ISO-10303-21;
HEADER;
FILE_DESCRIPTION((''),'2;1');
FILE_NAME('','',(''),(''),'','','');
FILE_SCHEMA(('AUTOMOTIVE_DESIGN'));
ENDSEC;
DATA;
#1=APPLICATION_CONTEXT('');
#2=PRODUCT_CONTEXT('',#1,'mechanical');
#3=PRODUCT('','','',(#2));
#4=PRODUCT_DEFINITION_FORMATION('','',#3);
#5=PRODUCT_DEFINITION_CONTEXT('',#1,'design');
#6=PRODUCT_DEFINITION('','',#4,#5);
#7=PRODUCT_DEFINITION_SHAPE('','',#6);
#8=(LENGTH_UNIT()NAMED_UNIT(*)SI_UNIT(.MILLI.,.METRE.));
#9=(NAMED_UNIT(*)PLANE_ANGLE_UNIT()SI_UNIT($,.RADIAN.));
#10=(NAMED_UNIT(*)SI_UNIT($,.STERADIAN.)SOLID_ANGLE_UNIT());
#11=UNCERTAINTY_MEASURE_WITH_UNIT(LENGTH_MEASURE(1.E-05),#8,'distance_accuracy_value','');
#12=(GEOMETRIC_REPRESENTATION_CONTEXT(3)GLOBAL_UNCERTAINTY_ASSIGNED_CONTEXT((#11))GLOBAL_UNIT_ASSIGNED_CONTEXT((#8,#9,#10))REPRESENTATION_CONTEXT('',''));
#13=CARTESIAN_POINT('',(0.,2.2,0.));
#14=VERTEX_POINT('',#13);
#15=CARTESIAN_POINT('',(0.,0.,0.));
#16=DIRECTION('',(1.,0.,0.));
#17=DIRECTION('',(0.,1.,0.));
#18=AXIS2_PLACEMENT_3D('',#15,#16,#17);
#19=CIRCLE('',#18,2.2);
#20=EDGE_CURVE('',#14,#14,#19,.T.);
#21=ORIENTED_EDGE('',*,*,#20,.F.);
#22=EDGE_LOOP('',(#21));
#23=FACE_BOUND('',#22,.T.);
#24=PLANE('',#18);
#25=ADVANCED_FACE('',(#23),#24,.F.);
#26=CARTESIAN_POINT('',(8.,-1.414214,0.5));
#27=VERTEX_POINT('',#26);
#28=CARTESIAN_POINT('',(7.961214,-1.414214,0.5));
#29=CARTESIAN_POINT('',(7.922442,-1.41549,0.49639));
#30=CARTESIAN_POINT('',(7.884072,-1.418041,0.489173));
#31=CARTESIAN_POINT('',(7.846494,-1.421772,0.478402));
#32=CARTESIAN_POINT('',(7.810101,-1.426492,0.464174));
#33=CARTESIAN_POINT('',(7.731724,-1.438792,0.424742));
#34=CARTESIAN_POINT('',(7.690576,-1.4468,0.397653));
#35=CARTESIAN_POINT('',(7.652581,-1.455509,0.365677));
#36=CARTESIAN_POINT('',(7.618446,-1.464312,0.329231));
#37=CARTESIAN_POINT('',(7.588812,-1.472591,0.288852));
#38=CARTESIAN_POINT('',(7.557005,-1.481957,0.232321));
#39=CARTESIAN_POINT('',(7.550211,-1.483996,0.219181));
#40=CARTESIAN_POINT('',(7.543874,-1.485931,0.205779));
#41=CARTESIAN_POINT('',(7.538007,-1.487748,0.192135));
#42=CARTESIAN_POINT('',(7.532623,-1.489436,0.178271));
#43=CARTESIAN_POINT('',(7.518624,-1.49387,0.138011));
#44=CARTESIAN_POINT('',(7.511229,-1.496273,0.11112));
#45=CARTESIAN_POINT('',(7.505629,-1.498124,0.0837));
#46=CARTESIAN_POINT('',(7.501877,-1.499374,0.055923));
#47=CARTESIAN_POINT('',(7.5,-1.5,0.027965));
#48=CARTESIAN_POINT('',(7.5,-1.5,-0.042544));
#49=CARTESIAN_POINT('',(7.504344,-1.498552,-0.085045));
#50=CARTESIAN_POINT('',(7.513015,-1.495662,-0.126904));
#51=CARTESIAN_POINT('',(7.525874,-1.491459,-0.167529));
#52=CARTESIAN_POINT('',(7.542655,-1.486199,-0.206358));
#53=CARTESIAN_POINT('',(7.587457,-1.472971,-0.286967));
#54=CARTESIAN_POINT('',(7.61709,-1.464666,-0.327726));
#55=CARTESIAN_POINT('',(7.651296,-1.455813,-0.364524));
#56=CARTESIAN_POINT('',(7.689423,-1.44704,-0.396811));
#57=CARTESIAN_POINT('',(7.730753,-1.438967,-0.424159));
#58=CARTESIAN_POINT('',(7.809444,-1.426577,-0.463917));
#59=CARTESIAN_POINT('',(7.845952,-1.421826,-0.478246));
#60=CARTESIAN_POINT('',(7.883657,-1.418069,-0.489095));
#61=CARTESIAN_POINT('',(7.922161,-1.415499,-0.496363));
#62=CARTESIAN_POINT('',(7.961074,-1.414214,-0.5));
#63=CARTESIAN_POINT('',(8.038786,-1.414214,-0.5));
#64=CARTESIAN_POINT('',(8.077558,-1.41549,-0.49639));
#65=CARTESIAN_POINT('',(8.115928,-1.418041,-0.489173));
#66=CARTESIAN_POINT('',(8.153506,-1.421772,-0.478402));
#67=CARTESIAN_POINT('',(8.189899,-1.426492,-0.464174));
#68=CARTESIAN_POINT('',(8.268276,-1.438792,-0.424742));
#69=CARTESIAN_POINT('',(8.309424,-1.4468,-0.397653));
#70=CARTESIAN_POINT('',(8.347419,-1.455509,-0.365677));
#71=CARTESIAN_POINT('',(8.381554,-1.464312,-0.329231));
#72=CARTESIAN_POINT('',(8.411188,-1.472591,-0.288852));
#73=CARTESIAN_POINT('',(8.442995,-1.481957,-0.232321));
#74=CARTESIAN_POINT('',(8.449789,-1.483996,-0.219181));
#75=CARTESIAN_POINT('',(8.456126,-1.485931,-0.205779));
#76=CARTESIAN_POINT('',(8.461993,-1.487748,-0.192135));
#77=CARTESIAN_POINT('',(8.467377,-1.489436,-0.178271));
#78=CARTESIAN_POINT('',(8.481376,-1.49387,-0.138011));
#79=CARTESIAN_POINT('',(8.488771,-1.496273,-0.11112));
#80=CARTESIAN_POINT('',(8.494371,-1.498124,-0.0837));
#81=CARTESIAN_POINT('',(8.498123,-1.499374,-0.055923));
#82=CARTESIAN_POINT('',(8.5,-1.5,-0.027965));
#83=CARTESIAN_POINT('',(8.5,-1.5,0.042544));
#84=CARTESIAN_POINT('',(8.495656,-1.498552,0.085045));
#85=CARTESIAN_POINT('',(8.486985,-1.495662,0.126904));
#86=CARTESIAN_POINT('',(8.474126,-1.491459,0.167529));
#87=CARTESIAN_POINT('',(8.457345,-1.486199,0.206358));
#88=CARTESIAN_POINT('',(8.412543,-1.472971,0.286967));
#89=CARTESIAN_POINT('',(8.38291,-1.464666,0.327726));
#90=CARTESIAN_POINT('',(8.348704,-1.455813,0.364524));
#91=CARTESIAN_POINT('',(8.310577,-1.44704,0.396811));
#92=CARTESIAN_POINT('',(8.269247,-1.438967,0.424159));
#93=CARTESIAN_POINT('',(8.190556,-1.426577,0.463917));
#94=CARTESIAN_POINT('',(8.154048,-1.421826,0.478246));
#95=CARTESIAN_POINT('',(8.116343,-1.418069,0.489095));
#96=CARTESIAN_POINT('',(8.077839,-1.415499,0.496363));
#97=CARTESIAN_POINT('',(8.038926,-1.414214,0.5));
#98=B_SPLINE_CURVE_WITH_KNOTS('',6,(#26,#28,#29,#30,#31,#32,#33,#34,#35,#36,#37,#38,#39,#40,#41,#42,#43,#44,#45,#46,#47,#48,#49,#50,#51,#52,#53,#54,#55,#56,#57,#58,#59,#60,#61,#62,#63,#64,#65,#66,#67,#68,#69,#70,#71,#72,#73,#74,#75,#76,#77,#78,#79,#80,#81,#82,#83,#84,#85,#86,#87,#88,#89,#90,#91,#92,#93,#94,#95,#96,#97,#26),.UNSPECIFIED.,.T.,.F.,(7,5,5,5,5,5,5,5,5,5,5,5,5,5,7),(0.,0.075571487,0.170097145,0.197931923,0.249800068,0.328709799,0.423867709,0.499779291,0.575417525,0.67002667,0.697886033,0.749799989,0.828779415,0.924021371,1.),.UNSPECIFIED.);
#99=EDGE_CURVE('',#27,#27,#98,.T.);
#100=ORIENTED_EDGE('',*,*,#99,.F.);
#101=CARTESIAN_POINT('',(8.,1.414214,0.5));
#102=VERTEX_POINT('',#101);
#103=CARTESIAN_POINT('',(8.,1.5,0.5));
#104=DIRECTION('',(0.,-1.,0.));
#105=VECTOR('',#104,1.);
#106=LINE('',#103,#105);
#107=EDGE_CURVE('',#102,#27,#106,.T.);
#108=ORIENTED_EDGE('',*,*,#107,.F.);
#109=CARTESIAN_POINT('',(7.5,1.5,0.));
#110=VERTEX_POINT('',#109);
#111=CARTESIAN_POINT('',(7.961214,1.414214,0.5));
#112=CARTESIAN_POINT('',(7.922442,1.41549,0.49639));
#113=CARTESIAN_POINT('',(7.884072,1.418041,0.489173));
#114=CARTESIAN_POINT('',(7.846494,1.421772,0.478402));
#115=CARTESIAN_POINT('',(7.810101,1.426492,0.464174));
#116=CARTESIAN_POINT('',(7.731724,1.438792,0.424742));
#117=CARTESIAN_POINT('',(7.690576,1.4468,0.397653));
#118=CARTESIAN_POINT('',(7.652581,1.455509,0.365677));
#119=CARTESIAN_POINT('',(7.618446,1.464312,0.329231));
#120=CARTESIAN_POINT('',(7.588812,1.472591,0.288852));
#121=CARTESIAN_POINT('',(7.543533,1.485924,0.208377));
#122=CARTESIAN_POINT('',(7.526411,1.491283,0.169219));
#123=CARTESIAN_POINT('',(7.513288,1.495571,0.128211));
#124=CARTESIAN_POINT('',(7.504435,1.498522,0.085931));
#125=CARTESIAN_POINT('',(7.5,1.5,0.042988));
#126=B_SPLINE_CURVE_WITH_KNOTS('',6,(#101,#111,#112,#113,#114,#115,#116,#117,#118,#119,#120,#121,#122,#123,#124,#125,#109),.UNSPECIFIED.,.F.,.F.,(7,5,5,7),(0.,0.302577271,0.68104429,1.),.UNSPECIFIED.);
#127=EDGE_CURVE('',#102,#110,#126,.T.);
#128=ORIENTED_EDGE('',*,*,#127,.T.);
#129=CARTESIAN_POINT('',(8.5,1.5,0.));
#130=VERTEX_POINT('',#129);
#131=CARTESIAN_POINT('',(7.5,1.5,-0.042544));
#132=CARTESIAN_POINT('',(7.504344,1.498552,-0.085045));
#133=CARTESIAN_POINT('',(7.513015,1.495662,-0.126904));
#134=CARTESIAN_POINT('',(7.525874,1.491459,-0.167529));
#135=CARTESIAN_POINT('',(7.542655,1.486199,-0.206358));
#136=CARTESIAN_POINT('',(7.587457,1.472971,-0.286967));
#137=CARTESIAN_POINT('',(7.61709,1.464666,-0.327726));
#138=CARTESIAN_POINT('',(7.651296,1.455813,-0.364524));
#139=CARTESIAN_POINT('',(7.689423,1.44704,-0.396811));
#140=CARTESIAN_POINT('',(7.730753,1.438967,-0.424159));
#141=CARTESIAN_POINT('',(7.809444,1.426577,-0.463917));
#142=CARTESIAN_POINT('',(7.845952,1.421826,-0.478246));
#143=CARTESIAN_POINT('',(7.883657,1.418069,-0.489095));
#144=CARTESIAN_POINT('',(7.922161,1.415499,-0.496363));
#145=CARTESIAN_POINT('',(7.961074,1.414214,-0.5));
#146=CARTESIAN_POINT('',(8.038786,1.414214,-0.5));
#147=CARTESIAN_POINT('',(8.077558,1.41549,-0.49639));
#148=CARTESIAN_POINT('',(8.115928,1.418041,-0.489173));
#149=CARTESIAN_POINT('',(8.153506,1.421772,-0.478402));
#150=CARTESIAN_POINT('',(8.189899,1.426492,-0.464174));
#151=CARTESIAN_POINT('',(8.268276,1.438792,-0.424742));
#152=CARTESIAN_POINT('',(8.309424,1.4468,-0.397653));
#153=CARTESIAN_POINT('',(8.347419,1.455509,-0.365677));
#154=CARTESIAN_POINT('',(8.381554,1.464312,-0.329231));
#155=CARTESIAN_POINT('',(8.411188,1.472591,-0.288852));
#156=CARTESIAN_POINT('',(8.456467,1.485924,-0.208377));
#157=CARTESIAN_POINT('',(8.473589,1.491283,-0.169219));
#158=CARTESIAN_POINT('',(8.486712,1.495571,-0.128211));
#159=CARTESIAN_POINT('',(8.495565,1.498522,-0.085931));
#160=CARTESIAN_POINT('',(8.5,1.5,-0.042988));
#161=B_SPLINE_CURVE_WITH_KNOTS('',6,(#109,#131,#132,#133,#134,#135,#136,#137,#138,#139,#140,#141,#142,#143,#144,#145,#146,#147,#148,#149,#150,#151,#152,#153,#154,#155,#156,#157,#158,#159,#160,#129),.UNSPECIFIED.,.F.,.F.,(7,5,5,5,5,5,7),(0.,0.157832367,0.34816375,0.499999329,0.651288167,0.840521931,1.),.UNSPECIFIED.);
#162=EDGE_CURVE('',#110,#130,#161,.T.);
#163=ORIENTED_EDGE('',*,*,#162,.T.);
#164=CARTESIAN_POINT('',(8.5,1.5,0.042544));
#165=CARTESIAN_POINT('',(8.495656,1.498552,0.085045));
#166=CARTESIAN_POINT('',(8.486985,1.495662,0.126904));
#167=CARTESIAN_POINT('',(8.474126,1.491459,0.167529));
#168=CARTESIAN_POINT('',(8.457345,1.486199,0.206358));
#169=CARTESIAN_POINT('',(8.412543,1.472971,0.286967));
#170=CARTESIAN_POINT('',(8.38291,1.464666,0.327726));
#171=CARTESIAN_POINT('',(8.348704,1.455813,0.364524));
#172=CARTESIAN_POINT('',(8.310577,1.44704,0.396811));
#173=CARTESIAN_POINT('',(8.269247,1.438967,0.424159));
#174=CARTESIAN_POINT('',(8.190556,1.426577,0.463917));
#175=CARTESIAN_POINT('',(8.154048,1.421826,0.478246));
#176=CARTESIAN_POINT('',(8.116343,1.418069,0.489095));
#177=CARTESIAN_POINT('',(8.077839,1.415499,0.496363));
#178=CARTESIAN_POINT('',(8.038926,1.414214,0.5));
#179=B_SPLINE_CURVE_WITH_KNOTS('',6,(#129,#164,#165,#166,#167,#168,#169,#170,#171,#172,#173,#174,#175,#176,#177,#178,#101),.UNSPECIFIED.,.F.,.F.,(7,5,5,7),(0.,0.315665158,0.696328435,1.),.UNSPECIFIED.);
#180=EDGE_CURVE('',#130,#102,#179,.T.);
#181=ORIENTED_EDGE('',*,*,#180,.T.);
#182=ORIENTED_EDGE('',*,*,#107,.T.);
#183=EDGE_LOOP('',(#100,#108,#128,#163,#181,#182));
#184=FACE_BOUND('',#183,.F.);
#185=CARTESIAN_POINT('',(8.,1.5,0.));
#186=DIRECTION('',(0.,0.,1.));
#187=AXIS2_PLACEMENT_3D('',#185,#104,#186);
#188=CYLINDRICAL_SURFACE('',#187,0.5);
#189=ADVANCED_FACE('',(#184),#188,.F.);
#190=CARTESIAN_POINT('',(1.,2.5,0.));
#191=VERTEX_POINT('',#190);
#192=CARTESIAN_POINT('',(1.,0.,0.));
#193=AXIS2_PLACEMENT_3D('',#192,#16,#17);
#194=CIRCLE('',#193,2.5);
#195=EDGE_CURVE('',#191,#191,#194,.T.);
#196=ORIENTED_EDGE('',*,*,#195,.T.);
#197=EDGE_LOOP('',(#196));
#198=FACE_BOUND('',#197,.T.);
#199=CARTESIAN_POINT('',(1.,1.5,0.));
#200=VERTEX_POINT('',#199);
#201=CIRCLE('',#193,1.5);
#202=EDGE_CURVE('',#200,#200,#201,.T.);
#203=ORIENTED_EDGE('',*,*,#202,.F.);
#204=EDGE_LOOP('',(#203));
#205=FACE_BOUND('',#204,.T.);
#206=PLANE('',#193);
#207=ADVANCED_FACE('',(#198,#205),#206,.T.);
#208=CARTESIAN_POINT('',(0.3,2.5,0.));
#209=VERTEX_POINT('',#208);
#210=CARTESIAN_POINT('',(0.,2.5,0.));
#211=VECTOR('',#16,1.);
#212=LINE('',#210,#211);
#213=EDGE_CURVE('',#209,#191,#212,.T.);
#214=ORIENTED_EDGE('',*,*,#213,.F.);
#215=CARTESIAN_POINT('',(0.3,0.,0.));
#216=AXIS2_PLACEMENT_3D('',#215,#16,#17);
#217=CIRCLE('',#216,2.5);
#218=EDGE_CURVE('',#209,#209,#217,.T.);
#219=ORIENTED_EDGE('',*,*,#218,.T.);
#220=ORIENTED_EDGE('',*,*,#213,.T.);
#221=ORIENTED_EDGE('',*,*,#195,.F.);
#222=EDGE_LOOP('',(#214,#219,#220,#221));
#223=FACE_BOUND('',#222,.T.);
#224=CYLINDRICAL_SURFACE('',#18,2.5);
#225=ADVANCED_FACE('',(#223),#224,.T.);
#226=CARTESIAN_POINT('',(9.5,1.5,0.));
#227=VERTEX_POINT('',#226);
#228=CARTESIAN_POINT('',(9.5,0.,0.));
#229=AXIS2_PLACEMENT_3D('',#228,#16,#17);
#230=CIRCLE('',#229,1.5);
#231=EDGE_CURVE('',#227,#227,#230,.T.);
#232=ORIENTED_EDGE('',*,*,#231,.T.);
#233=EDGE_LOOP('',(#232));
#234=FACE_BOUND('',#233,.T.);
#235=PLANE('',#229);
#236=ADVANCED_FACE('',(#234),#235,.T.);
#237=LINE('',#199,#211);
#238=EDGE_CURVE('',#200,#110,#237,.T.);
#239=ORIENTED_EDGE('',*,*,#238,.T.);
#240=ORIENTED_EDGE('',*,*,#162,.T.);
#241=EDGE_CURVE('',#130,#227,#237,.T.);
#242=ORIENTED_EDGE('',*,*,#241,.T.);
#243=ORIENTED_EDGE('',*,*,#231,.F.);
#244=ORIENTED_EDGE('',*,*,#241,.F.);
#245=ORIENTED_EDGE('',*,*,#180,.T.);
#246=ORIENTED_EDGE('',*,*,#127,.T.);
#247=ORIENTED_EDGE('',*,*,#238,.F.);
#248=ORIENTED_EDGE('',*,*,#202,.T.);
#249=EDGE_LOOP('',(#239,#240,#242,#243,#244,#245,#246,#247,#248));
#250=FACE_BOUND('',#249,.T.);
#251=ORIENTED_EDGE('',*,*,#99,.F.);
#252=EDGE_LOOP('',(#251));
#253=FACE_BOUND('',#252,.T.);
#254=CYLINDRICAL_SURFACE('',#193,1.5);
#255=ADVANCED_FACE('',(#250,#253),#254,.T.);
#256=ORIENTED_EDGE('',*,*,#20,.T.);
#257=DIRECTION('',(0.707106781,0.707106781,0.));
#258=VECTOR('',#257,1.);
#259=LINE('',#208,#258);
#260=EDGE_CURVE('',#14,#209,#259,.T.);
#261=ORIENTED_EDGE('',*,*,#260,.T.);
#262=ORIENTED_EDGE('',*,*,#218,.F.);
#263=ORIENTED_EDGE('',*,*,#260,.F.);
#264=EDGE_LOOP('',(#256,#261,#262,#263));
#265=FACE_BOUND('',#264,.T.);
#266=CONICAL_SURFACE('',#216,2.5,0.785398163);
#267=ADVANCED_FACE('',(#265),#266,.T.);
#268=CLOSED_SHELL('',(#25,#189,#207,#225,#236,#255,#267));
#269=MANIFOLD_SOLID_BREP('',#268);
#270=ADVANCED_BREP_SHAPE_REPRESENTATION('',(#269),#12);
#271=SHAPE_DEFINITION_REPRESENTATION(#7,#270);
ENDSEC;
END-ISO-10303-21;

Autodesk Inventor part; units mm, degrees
ref_plane "YZ Plane" through (0, 0, 0) normal (1, 0, 0) x (0, 1, 0)
ref_plane "XY Plane" through (0, 0, 0) normal (0, 0, 1) x (1, 0, 0)
sketch "Skizze1" plane through (0, 0, 0) normal (0, 0, 1) x (1, 0, 0)
  line L0 (0, -0.5) -> (0, 3) projected
  line L1 (-1.9, 0) -> (11.4, 0) projected
  line L2 (0, 0) -> (0, 2.5)
  line L3 (1, 2.5) -> (1, 1.5)
  line L4 (1, 1.5) -> (9.5, 1.5)
  line L5 (9.5, 1.5) -> (9.5, 0)
  line L6 (0, 0) -> (9.5, 0)
  line L7 (0, 2.5) -> (1, 2.5)
  dimension "d0" = 5
  dimension "d1" = 3
  dimension "d2" = 9.5
  dimension "d3" = 8.5
revolve "Umdrehung1" add sketch "Skizze1" angle 360 about axis through (-10, 0, 0) along (1, 0, 0)
chamfer "Fase1" distance 0.3 angle 45 1 edges at (0, -2.5, 0)
ref_plane "Arbeitsebene1" through (5.25, 1.5, 0) normal (0, 1, 0) x (-1, 0, 0)
sketch "Skizze2" plane through (5.25, 1.5, 0) normal (0, 1, 0) x (-1, 0, 0)
  line L0 (4.25, 1.5) -> (4.25, -1.5) projected
  line L1 (-4.25, 1.5) -> (-4.25, -1.5) projected
  line L2 (4.25, 1.5) -> (4.25, -1.5) projected
  line L3 (-4.25, 1.5) -> (-4.25, -1.5) projected
  line L4 (4.25, 1.5) -> (-4.25, 1.5) projected
  line L5 (4.25, -1.5) -> (-4.25, -1.5) projected
  point P0 (5.25, 0)
  point P1 (-2.75, 0)
  dimension "d8" = 1.5
  dimension "d9" = 1.5
hole "Bohrung1" at (8, 1.5, 0) direction (0, -1, 0) diameter 1 end through all
properties part number "Bolzen"
